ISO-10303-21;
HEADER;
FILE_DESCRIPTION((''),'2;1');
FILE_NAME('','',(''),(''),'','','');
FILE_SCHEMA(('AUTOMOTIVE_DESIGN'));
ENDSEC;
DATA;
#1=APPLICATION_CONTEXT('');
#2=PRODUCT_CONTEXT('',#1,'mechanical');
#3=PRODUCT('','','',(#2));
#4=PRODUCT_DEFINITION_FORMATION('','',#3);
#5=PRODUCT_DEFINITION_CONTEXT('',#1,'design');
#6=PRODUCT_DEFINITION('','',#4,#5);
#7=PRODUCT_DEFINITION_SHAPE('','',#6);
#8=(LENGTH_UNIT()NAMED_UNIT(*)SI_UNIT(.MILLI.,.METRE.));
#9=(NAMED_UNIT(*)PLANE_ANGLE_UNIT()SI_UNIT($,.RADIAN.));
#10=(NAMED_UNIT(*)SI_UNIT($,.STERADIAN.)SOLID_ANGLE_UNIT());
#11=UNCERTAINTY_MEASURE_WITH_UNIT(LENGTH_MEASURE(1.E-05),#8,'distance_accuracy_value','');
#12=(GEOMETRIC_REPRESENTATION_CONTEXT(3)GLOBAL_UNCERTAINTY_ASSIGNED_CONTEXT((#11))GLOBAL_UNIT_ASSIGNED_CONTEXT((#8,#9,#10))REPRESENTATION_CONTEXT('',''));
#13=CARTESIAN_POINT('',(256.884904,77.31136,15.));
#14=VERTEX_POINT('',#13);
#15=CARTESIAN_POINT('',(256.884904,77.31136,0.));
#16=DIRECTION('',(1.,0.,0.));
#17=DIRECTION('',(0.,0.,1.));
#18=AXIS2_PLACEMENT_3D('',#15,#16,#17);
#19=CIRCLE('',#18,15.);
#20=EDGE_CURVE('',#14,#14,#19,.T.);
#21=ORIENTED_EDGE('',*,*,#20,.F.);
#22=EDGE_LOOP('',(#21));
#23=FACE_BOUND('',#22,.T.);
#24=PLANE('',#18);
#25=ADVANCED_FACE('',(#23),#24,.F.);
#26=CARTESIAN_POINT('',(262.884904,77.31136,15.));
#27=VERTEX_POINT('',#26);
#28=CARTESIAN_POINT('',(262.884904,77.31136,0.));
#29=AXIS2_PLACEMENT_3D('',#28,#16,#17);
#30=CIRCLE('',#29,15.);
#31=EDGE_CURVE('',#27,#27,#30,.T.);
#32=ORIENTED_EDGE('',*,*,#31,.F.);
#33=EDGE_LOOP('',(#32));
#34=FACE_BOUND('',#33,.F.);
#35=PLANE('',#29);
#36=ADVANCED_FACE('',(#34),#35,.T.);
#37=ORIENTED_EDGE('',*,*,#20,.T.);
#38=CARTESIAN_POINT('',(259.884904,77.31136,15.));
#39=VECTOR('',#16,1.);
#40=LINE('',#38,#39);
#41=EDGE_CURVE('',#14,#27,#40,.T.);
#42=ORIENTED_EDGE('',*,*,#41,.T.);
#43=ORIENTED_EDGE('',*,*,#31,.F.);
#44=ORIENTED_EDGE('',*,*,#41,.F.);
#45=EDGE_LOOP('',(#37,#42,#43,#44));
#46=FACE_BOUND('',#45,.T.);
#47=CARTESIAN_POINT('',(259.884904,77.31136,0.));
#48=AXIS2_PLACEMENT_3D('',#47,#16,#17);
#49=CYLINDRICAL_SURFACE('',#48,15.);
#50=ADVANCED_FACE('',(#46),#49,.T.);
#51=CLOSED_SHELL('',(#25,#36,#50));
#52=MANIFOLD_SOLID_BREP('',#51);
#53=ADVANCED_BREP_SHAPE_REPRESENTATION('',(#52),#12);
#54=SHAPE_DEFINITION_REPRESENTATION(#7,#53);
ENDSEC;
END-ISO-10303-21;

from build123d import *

# Parameters (mm, degrees)
SKETCH_1_W = 6
SKETCH_1_H = 15


with BuildPart() as part:
    # 草图1 → 旋转1 (revolve)
    with BuildSketch(Plane.XY, mode=Mode.PRIVATE) as revolve_1_sk:
        with Locations((259.884904083, 84.811360012)):
            Rectangle(SKETCH_1_W, SKETCH_1_H)
    revolve(revolve_1_sk.sketch.rotate(Axis((251.374901691, 77.311360012, 0), (1, 0, 0)), 90), axis=Axis((251.374901691, 77.311360012, 0), (1, 0, 0)))  # turned: the seam where the file's is


solid = part.part
